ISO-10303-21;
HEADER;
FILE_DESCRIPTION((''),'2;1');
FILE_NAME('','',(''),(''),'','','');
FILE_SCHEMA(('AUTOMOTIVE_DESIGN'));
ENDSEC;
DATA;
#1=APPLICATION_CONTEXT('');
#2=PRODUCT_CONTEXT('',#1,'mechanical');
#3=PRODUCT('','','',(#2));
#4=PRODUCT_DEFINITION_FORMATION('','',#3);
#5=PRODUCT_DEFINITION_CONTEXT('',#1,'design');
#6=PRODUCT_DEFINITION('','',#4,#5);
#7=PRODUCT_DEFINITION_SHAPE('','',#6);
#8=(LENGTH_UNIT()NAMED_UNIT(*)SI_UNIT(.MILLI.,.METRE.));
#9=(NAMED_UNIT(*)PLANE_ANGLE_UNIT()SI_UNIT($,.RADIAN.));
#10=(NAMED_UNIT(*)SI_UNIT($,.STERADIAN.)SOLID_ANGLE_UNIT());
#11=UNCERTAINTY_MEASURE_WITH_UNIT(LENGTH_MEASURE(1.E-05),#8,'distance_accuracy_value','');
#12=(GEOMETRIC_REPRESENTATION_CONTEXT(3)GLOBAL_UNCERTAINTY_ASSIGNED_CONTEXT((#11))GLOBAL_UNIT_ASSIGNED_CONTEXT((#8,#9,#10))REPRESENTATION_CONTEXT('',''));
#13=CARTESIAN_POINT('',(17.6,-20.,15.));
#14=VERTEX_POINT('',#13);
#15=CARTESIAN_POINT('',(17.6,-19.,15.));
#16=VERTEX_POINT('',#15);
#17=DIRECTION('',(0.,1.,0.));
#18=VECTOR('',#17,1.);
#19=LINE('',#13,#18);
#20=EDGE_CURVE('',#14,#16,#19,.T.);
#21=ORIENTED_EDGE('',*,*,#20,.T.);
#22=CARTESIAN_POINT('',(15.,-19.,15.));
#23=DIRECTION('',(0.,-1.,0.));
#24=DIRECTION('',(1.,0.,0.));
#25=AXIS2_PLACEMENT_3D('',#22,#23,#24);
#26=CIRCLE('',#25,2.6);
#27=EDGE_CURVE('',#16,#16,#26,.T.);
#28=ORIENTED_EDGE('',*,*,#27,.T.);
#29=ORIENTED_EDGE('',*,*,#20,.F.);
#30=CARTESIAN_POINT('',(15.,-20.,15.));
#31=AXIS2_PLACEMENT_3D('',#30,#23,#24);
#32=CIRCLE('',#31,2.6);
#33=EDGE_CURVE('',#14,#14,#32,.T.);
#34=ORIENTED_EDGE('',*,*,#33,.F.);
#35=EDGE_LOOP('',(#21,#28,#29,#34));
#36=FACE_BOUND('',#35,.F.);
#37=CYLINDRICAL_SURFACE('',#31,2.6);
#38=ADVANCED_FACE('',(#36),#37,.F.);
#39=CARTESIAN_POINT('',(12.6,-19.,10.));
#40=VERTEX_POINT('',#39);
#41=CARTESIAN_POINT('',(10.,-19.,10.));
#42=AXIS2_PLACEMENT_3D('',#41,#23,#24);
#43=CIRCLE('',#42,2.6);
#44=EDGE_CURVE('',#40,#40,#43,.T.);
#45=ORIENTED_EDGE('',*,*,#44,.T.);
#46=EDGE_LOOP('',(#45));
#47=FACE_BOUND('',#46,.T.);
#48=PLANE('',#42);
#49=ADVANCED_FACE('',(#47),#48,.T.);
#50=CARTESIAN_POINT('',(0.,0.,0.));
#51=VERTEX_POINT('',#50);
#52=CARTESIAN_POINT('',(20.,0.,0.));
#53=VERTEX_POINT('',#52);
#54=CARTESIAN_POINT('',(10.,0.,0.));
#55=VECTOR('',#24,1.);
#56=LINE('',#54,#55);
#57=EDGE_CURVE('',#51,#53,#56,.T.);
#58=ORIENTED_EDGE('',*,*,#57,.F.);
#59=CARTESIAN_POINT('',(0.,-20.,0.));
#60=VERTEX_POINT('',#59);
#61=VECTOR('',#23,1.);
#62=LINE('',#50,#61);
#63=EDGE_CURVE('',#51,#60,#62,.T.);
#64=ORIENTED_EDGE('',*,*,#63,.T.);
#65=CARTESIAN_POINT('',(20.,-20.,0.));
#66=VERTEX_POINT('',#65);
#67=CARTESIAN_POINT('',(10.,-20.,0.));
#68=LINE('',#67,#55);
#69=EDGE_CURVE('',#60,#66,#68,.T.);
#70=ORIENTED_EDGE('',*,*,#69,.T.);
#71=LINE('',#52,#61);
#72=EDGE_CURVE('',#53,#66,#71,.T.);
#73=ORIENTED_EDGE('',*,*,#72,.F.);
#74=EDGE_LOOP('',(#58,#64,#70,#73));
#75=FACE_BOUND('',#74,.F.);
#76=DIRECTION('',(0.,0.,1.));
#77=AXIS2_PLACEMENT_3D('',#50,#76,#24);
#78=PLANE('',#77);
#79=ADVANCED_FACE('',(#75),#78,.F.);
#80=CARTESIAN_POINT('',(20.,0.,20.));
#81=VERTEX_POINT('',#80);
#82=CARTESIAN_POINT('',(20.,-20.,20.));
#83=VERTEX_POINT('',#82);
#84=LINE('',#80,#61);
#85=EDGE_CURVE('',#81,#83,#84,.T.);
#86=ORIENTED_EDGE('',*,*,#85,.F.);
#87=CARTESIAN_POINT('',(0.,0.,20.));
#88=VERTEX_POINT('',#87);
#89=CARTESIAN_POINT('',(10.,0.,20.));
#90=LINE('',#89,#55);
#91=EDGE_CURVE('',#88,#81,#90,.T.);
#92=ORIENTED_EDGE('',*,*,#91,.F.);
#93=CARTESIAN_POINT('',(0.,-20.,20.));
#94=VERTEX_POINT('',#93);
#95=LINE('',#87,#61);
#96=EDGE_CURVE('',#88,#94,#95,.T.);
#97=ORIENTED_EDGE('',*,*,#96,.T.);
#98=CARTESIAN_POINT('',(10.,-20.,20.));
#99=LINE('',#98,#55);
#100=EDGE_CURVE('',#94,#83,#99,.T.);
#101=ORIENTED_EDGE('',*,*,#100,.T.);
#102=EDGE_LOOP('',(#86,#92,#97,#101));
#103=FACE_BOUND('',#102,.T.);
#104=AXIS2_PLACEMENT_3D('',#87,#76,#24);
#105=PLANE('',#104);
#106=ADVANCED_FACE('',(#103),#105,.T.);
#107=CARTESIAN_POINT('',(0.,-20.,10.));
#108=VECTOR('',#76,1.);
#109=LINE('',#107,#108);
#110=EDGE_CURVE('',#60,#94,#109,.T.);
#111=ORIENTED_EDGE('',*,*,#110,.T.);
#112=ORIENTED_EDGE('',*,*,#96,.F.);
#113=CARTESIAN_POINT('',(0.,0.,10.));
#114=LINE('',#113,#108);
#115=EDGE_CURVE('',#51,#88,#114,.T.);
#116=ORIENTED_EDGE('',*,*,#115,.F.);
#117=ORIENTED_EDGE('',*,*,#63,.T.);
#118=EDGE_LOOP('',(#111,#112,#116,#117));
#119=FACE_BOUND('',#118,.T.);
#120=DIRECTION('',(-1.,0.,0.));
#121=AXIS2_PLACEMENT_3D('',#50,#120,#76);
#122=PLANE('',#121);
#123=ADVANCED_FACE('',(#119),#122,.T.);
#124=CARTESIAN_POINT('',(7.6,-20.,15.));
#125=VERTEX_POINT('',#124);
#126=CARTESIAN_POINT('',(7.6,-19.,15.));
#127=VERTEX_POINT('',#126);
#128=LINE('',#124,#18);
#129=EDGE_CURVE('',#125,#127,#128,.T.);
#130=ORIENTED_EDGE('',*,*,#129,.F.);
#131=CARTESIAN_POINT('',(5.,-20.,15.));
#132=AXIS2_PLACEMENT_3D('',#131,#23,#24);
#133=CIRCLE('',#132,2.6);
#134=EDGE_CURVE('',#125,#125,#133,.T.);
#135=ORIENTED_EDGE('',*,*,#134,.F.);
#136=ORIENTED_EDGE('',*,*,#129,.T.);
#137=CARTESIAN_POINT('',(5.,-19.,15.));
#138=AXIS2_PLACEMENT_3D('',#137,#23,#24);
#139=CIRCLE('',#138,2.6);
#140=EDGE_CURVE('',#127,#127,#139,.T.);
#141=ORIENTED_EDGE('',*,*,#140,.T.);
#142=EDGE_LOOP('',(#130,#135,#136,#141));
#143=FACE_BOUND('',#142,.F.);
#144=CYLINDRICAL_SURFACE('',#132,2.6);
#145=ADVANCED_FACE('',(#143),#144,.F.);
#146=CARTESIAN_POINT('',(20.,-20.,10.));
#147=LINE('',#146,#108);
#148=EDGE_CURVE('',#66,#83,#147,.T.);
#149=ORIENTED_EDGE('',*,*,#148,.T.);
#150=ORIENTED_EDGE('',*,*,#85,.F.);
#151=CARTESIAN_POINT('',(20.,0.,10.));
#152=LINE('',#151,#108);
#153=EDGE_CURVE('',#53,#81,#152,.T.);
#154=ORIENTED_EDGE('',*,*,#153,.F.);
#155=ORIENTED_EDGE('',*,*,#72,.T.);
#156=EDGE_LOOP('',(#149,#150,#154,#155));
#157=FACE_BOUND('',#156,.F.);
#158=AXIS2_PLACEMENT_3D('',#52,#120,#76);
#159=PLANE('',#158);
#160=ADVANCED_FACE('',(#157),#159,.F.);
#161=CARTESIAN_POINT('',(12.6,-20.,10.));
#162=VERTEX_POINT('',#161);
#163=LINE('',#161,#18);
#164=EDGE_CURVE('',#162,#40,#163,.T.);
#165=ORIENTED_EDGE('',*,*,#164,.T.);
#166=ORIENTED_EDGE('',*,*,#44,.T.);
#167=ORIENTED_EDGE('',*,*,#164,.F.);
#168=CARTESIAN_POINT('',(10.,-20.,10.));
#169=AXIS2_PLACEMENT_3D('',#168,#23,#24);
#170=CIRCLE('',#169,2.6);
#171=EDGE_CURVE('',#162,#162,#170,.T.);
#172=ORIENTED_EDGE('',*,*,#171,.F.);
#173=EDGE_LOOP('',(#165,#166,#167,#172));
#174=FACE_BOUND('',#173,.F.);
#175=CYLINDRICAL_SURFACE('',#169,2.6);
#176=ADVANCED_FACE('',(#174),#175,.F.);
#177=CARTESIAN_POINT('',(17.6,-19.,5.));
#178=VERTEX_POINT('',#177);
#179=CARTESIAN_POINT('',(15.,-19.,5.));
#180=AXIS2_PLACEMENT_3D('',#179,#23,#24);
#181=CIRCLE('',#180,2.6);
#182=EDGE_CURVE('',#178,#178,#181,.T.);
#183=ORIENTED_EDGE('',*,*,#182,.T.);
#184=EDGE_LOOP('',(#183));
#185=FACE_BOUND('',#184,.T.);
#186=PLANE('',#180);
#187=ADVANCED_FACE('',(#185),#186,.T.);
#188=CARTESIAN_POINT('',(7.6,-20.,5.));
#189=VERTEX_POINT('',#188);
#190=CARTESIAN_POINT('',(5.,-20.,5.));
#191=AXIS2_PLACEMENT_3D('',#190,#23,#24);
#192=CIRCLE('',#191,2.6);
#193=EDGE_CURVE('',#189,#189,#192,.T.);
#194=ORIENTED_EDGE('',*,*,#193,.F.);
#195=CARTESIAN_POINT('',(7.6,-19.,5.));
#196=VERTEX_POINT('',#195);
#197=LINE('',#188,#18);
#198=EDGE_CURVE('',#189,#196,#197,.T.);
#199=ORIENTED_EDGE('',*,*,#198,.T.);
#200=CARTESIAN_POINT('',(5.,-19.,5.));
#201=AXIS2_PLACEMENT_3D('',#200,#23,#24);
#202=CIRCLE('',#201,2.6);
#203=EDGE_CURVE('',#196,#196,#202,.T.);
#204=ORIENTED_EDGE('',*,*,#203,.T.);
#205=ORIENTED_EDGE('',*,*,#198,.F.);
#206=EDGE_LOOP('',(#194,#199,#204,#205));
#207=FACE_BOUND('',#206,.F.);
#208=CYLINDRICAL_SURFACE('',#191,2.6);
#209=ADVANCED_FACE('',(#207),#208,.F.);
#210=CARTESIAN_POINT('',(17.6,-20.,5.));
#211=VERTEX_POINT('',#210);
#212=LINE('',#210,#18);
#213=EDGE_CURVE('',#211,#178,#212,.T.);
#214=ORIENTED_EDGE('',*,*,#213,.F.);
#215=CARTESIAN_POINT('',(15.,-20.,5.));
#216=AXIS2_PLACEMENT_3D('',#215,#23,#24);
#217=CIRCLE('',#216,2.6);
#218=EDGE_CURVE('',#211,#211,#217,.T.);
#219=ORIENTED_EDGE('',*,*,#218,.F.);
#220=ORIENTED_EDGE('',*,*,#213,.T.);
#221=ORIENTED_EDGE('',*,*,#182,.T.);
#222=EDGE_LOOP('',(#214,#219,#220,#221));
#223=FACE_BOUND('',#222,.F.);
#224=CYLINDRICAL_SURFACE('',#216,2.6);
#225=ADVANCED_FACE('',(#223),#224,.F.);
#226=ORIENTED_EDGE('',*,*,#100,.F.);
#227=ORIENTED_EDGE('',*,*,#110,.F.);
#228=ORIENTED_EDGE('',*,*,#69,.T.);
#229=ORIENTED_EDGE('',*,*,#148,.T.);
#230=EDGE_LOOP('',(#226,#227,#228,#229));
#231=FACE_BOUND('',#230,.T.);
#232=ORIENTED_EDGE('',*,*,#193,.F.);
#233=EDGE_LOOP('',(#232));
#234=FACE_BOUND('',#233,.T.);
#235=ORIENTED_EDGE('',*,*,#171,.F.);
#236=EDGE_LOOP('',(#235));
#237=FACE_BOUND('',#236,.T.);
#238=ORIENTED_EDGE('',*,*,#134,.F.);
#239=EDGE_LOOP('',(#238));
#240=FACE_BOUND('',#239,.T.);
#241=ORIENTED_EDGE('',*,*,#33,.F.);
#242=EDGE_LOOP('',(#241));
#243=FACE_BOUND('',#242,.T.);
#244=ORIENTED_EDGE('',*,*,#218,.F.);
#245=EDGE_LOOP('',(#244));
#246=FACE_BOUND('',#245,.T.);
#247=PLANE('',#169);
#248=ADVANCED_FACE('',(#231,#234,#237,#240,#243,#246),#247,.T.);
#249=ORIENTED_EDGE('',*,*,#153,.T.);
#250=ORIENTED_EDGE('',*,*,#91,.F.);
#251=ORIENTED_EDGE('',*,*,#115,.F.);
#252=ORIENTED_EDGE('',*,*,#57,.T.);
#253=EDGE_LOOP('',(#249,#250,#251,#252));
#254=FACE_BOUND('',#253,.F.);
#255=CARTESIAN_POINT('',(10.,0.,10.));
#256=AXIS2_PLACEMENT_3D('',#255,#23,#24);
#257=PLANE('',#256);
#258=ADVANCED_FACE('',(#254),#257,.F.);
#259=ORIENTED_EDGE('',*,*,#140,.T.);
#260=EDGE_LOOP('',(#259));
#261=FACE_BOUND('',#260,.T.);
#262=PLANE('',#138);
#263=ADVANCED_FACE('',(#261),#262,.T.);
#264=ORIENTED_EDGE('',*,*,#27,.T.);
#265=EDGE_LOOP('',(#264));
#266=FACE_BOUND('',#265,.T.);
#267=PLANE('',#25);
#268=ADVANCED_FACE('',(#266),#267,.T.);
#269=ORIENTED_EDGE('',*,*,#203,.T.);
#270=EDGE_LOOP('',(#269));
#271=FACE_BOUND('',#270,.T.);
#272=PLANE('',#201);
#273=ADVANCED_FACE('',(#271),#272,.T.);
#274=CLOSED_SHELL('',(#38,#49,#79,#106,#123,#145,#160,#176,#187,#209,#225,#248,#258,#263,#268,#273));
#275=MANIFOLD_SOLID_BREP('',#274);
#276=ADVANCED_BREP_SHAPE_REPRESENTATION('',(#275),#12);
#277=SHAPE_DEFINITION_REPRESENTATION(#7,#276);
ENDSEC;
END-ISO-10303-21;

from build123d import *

# Parameters (mm, degrees)
F0_W     = 20
F0_H     = 20
F1_DEPTH = 20
F2_R     = 2.6
F3_DEPTH = 1


with BuildPart() as f1:
    # F0 (on Front) → F1 (new body)
    with BuildSketch(Plane.XZ):
        with Locations((10, 10)):
            Rectangle(F0_W, F0_H)
    extrude(amount=F1_DEPTH)

    # F2 (on face) → F3 (cut)
    with BuildSketch(Plane.XZ.offset(20)):
        with Locations((10, 10)):
            Circle(F2_R)
        with Locations((5, 15)):
            Circle(F2_R)
        with Locations((15, 15)):
            Circle(F2_R)
        with Locations((15, 5)):
            Circle(F2_R)
        with Locations((5, 5)):
            Circle(F2_R)
    extrude(amount=-F3_DEPTH, mode=Mode.SUBTRACT)


solid = f1.part
